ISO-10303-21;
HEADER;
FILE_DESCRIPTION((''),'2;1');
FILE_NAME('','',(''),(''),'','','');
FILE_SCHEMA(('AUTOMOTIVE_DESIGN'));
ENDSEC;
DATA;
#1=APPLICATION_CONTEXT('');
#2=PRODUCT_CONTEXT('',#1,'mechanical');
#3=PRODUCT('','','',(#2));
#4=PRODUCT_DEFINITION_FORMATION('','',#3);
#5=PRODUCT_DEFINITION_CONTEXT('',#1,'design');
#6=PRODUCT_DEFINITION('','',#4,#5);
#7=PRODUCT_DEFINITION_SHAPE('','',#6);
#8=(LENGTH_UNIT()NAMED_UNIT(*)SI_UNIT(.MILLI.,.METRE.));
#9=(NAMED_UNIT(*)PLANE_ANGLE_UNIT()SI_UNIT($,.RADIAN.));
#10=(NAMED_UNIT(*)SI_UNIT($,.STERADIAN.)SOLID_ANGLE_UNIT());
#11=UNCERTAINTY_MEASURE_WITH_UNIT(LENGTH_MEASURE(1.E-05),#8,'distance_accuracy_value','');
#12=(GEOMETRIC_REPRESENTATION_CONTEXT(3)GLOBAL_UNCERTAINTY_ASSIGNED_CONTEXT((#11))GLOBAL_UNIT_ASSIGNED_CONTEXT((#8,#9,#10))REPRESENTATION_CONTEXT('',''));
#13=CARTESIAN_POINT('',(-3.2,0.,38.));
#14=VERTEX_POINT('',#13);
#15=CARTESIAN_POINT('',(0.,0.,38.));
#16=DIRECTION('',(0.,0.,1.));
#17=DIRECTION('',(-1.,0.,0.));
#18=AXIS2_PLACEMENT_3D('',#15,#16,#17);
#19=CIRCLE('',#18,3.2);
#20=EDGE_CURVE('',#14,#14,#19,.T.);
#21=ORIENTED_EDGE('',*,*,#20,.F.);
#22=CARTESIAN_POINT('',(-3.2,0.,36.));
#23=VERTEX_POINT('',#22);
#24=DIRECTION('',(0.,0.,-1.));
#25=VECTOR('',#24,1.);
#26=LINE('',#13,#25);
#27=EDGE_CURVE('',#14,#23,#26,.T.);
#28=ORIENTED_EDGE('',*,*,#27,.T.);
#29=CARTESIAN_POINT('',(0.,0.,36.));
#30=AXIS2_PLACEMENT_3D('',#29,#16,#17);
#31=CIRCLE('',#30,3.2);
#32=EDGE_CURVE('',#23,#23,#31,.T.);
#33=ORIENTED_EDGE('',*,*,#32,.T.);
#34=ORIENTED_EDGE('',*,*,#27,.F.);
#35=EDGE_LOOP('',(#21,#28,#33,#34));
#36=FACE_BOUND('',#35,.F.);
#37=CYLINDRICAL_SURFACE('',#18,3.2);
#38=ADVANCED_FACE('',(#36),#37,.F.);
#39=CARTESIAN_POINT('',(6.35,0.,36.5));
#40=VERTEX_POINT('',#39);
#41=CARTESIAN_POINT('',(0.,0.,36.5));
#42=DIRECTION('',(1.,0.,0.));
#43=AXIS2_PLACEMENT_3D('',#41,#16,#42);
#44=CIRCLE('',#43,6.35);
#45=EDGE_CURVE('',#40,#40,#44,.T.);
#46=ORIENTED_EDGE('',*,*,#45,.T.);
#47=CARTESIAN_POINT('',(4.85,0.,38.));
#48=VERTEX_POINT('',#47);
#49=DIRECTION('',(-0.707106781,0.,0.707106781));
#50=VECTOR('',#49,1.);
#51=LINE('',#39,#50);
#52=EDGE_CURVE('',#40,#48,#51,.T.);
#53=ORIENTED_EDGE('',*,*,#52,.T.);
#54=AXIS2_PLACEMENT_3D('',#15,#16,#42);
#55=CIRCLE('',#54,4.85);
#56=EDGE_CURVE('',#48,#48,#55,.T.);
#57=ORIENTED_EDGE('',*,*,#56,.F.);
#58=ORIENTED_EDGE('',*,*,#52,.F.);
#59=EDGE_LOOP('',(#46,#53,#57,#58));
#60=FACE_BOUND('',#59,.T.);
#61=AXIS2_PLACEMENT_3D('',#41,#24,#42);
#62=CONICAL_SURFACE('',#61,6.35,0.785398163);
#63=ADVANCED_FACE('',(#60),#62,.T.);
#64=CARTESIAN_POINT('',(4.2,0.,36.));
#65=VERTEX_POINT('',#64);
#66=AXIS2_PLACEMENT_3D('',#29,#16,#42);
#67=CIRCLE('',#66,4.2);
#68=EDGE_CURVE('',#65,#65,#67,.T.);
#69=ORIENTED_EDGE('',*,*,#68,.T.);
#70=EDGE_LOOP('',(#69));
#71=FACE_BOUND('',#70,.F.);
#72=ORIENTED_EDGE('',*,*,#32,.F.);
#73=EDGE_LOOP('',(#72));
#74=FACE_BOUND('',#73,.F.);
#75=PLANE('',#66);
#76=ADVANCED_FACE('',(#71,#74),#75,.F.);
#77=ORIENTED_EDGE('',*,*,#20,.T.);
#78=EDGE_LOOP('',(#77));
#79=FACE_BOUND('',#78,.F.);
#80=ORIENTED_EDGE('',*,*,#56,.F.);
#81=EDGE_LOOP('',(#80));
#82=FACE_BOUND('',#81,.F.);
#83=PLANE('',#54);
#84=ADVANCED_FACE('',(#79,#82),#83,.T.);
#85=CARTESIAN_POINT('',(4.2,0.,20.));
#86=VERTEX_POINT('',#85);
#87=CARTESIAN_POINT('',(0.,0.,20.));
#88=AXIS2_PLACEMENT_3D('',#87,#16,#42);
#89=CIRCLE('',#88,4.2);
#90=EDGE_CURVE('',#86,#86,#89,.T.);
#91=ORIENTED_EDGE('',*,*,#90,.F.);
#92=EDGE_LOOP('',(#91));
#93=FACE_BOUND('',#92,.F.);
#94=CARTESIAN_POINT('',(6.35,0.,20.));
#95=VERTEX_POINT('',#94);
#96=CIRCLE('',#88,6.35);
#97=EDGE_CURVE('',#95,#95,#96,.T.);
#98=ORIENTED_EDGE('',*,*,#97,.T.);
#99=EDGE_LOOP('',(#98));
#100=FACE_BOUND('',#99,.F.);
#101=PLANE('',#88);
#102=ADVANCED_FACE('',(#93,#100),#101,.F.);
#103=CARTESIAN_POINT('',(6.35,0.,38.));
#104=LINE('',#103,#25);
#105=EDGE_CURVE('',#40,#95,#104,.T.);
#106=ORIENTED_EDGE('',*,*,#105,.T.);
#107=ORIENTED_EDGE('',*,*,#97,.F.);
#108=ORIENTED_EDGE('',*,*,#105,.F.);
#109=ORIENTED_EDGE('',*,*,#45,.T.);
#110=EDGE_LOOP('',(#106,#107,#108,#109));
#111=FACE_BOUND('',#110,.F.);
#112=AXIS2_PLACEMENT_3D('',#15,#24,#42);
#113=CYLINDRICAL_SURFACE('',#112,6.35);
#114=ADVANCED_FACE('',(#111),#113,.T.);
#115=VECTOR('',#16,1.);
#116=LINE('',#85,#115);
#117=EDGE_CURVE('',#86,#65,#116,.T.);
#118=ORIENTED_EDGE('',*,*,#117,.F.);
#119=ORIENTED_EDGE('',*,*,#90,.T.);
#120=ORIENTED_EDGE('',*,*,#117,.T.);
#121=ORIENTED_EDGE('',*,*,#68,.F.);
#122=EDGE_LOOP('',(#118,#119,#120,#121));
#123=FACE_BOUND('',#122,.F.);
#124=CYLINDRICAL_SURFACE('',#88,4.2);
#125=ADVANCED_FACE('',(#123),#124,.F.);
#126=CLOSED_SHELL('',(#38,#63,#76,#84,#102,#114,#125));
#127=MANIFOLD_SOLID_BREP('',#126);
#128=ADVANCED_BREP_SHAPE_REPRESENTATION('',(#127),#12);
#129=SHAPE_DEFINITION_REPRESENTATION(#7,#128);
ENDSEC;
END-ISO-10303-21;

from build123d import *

# Parameters (mm, degrees)
SKETCH011_R  = 3.2
POCKET_DEPTH = 18.001
CHAMFER_SIZE = 1.5


with BuildPart() as part:
    # Sketch010 → Revolution001 (revolve)
    with BuildSketch(Plane.XZ):
        Polygon((4.2, 20), (4.2, 36), (0, 36), (0, 38), (6.35, 38), (6.35, 20), align=None)
    revolve(axis=Axis((0, 0, 0), (0, 0, 1)))

    # Sketch011 → Pocket (cut, through all)
    with BuildSketch(Plane(origin=(0, 0, 38), x_dir=(-1, 0, 0), z_dir=(0, 0, 1))):
        Circle(SKETCH011_R)
    extrude(amount=-POCKET_DEPTH, mode=Mode.SUBTRACT)

    # Chamfer
    chamfer_edges = [part.edges().sort_by_distance(p)[0] for p in [
        (-6.35, 0, 38),
    ]]
    chamfer(chamfer_edges, length=CHAMFER_SIZE)


solid = part.part
